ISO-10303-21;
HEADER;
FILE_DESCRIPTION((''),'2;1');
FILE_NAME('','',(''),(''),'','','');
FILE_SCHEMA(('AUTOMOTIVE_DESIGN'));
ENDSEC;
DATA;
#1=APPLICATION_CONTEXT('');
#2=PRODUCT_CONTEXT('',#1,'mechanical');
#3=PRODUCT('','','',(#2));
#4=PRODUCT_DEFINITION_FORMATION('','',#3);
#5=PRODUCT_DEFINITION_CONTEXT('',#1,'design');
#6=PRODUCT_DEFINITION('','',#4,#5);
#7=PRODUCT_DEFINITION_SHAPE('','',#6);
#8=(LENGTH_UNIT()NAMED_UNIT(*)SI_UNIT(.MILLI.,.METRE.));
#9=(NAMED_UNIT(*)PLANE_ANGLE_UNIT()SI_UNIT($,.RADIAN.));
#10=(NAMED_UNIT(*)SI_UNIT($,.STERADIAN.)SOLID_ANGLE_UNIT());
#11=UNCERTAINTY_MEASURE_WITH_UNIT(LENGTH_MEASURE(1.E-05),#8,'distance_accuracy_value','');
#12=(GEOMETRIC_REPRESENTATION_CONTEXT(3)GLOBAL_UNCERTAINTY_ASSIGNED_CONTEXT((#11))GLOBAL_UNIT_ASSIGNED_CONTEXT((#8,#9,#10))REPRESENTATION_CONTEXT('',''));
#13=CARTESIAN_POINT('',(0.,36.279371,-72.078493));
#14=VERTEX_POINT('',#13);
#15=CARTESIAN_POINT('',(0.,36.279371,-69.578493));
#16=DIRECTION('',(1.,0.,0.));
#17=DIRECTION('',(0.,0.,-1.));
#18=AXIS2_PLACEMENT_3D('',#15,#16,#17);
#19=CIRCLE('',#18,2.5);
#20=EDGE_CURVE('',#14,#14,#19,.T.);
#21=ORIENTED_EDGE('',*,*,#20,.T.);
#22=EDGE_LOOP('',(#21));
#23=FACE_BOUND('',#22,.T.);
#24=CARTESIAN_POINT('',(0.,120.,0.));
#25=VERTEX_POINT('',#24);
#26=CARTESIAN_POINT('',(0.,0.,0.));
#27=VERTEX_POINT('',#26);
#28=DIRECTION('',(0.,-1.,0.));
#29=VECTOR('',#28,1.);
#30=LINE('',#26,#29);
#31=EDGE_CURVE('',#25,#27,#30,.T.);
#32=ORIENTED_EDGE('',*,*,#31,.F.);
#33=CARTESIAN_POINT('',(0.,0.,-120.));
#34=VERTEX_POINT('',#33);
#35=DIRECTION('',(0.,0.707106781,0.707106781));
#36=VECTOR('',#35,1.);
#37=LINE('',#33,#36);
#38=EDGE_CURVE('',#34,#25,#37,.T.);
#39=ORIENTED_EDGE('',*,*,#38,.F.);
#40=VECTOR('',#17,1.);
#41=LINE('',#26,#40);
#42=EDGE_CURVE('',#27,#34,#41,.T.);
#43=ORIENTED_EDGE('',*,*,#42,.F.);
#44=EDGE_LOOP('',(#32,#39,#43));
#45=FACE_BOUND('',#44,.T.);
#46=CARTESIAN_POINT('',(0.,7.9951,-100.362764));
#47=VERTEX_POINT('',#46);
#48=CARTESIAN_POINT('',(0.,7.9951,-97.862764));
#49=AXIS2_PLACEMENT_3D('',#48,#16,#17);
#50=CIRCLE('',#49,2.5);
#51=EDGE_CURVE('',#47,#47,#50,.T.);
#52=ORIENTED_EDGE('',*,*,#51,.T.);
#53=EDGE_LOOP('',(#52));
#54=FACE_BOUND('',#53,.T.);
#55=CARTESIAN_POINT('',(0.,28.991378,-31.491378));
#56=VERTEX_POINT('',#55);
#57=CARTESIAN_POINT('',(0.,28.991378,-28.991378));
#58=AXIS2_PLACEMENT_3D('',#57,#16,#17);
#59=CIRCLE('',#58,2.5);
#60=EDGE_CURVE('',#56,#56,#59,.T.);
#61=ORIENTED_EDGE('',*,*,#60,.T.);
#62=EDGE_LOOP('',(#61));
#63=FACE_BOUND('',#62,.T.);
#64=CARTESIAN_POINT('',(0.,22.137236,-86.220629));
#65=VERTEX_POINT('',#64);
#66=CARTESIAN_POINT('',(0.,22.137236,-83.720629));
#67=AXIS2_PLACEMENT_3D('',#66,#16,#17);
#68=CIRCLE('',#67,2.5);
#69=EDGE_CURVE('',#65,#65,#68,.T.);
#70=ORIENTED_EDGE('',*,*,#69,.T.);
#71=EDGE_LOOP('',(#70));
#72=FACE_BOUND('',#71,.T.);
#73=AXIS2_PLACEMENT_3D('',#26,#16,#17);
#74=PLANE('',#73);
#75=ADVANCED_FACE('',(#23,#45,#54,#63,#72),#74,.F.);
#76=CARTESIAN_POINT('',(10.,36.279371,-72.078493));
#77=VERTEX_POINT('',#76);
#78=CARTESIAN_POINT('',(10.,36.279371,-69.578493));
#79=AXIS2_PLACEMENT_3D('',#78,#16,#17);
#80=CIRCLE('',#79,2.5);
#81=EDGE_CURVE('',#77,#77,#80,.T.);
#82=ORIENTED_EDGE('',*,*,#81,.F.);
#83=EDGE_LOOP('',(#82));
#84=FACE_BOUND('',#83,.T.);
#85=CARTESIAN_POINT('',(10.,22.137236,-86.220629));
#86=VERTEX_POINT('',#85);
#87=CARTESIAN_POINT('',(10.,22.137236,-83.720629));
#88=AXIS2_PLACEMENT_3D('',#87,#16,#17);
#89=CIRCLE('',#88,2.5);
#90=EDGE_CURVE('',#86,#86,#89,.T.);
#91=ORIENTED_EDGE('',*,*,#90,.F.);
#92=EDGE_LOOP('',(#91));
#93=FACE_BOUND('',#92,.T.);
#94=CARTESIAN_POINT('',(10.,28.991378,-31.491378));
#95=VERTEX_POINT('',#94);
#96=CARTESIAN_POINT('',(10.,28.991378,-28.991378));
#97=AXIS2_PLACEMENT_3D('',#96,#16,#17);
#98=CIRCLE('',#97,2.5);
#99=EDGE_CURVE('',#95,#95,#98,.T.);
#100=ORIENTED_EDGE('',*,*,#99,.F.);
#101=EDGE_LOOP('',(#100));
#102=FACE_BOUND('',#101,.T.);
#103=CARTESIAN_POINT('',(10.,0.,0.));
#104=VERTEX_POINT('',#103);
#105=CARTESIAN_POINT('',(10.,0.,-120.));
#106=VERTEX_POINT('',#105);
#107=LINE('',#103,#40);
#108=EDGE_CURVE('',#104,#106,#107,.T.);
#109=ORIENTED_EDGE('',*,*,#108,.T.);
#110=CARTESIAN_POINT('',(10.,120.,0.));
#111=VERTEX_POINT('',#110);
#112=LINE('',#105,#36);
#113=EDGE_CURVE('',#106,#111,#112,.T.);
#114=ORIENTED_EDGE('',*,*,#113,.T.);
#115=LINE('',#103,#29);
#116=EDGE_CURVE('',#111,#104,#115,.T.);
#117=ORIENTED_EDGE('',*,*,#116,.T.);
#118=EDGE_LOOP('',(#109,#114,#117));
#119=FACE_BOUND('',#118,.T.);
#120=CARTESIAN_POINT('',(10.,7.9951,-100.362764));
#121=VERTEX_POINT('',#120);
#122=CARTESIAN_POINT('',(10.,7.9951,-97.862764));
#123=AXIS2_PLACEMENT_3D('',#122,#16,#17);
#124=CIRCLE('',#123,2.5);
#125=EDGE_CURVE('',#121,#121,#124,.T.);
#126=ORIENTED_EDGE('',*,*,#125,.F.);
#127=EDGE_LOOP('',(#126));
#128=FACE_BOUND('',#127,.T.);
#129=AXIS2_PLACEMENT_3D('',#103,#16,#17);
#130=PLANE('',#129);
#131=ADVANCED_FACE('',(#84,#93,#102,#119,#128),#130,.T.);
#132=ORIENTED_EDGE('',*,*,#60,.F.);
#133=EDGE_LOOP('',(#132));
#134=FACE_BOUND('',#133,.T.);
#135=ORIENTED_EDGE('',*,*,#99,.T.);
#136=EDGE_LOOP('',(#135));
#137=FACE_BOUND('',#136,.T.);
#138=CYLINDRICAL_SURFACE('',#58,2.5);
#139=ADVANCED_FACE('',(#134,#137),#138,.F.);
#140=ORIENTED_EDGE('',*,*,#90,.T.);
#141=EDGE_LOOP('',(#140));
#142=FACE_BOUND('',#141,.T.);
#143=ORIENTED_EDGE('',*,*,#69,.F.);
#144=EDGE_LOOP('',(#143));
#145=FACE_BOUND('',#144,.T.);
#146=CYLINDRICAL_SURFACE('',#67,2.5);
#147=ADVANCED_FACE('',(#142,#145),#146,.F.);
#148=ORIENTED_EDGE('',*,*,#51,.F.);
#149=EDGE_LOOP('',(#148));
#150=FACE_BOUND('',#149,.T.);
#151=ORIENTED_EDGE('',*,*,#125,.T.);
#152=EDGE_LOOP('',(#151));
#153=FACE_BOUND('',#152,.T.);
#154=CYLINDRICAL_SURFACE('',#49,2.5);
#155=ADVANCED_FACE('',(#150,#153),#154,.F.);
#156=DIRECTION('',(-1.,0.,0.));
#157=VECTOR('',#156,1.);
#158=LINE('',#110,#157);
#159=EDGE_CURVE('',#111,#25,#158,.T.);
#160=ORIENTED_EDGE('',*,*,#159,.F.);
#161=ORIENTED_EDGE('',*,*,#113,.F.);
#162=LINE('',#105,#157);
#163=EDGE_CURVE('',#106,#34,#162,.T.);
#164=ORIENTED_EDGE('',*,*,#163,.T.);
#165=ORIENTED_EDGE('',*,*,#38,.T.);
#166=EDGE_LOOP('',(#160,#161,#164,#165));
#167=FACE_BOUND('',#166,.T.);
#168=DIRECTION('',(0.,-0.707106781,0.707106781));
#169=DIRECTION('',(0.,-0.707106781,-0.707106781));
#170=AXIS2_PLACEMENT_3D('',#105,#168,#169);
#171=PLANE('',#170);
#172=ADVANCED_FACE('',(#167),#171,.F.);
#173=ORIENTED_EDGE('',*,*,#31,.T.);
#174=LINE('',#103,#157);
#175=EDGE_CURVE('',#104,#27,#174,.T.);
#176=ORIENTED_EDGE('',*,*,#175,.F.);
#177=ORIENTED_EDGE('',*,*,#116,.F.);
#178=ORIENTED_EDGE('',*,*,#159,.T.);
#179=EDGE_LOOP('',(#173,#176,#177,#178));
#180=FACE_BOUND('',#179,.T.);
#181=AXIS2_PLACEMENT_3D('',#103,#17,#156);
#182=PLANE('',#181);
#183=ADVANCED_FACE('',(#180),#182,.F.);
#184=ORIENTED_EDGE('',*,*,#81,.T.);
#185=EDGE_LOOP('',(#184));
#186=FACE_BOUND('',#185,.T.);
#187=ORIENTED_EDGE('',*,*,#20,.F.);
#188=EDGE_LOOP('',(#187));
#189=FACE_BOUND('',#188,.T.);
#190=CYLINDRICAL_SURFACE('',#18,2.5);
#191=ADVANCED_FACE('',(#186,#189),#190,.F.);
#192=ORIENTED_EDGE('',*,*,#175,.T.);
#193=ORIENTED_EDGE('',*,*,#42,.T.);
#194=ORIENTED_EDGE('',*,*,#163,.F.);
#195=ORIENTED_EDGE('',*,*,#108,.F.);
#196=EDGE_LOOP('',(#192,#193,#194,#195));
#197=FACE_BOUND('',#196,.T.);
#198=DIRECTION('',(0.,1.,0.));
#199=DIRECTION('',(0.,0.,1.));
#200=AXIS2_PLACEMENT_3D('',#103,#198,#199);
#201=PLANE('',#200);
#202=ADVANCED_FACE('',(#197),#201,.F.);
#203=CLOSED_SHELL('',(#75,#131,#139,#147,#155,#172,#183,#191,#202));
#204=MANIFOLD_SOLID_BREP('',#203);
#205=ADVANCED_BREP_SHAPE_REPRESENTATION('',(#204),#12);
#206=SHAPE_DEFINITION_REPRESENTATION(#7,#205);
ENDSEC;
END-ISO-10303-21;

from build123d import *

# Parameters (mm, degrees)
BOSS_EXTRUDE1_DEPTH = 10
SKETCH4_R           = 2.5
CUT_EXTRUDE3_DEPTH  = 10


with BuildPart() as part:
    # Sketch1 → Boss-Extrude1 (new body)
    with BuildSketch(Plane(origin=(0, 0, 0), x_dir=(0, 0, -1), z_dir=(1, 0, 0))):
        Polygon((0, 0), (0, 120), (120, 0), align=None)
    extrude(amount=BOSS_EXTRUDE1_DEPTH)

    # Sketch4 → Cut-Extrude3 (cut)
    with BuildSketch(Plane(origin=(10, 0, 0), x_dir=(0, 0, -1), z_dir=(1, 0, 0))):
        with Locations((83.720628574, 22.137235802)):
            Circle(SKETCH4_R)
        with Locations((97.862764198, 7.995100178)):
            Circle(SKETCH4_R)
        with Locations((69.578492951, 36.279371426)):
            Circle(SKETCH4_R)
        with Locations((28.991378029, 28.991378029)):
            Circle(SKETCH4_R)
    extrude(amount=-CUT_EXTRUDE3_DEPTH, mode=Mode.SUBTRACT)


solid = part.part
